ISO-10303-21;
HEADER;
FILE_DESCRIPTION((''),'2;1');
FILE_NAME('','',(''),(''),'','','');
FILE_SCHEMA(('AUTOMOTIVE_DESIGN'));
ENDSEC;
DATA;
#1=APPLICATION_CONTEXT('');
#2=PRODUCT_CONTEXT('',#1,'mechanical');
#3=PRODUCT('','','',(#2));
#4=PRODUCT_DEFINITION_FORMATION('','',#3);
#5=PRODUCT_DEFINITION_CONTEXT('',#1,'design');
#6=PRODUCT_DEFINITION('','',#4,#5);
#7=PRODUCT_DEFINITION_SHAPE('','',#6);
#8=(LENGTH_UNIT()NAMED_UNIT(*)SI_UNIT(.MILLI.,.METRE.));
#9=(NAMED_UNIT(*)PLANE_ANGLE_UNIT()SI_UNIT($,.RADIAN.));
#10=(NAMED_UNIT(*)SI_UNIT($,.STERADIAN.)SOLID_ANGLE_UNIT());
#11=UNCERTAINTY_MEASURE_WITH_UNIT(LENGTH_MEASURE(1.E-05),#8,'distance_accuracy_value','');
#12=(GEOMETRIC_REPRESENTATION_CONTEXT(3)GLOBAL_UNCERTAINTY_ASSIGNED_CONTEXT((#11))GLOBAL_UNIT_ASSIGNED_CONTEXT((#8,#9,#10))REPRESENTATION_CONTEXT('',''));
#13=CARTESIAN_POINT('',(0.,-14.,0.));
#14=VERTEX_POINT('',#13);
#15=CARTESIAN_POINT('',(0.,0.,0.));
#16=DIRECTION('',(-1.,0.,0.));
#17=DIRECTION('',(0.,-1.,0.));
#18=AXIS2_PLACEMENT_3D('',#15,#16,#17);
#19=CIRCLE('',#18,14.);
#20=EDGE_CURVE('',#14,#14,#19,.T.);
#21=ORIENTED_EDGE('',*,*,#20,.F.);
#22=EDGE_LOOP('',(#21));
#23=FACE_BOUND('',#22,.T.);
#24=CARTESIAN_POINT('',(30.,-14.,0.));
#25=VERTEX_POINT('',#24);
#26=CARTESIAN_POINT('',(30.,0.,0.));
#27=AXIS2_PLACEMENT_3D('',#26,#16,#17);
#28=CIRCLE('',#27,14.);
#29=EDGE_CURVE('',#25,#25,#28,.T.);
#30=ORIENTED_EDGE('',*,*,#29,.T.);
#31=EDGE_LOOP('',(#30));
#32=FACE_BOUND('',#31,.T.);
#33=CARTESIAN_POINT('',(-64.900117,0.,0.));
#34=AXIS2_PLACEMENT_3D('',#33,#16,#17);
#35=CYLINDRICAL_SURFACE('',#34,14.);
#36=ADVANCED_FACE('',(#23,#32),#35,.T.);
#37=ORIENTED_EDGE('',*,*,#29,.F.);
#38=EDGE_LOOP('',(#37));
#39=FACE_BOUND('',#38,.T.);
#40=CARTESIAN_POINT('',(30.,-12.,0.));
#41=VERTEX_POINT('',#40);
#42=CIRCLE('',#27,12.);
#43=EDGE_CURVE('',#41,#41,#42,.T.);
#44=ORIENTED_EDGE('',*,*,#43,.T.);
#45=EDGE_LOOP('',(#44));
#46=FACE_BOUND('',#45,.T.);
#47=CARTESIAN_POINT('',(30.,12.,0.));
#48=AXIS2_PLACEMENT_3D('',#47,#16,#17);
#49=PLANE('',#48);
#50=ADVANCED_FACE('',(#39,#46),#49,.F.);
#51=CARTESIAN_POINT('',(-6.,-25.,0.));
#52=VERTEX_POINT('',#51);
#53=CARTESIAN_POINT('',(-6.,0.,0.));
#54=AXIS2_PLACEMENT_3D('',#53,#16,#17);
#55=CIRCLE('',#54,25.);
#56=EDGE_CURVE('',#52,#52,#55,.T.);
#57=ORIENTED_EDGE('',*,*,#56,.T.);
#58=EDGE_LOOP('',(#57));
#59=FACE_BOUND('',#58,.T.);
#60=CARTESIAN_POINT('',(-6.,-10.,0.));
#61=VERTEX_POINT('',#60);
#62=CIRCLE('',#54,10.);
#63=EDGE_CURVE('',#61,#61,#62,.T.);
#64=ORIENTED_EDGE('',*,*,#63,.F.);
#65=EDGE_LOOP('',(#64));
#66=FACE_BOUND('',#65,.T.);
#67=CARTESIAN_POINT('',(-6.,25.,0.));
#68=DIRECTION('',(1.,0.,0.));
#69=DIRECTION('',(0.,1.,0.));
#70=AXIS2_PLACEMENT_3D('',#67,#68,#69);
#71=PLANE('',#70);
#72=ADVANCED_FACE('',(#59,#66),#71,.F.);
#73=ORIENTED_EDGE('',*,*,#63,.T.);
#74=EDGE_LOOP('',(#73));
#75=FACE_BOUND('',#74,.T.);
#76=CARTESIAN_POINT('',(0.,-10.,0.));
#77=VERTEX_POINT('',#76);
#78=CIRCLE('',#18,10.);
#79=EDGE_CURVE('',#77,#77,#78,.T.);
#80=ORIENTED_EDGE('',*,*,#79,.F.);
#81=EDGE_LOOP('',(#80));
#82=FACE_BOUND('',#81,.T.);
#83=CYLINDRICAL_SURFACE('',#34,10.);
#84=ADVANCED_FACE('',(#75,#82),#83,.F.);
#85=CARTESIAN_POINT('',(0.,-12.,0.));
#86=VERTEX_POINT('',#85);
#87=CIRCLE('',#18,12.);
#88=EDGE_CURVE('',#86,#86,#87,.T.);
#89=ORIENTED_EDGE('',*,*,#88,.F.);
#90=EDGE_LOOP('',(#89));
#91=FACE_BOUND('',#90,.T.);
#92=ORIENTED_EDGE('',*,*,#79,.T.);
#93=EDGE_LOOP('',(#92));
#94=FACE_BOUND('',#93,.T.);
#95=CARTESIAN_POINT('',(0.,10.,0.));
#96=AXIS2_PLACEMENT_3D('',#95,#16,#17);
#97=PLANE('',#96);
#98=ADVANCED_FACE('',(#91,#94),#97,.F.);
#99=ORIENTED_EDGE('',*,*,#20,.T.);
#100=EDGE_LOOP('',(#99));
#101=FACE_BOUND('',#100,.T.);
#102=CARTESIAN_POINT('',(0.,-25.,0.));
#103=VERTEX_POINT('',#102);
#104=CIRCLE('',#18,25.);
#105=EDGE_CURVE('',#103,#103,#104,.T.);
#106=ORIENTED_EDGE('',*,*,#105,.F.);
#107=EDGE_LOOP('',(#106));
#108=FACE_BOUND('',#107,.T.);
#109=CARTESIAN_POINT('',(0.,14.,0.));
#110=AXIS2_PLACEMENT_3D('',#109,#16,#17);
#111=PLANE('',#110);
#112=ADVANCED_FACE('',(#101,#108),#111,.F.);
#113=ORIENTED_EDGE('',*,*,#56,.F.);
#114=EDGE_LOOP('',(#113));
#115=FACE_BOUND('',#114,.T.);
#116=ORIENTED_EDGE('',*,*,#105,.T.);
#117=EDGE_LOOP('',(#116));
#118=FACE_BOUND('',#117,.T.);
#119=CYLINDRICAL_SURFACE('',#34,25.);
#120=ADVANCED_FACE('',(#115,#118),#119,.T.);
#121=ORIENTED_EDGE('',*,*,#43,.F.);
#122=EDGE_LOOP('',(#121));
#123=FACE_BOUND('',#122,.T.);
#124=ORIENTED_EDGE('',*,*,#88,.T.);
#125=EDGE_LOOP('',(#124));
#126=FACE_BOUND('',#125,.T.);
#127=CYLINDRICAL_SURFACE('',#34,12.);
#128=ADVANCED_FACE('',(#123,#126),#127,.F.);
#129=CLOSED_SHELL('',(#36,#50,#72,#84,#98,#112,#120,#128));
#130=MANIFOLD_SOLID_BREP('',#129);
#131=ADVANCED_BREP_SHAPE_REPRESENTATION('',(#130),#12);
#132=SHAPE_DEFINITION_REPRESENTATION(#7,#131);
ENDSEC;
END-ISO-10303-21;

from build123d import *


with BuildPart() as part:
    # Sketch1 → Revolve1 (revolve)
    with BuildSketch(Plane.XY, mode=Mode.PRIVATE) as revolve1_sk:
        Polygon((-6, 25), (-6, 10), (0, 10), (0, 12), (30, 12), (30, 14), (0, 14), (0, 25), align=None)
    revolve(revolve1_sk.sketch.rotate(Axis((-64.900117457, 0, 0), (1, 0, 0)), 180), axis=Axis((-64.900117457, 0, 0), (1, 0, 0)))


solid = part.part
